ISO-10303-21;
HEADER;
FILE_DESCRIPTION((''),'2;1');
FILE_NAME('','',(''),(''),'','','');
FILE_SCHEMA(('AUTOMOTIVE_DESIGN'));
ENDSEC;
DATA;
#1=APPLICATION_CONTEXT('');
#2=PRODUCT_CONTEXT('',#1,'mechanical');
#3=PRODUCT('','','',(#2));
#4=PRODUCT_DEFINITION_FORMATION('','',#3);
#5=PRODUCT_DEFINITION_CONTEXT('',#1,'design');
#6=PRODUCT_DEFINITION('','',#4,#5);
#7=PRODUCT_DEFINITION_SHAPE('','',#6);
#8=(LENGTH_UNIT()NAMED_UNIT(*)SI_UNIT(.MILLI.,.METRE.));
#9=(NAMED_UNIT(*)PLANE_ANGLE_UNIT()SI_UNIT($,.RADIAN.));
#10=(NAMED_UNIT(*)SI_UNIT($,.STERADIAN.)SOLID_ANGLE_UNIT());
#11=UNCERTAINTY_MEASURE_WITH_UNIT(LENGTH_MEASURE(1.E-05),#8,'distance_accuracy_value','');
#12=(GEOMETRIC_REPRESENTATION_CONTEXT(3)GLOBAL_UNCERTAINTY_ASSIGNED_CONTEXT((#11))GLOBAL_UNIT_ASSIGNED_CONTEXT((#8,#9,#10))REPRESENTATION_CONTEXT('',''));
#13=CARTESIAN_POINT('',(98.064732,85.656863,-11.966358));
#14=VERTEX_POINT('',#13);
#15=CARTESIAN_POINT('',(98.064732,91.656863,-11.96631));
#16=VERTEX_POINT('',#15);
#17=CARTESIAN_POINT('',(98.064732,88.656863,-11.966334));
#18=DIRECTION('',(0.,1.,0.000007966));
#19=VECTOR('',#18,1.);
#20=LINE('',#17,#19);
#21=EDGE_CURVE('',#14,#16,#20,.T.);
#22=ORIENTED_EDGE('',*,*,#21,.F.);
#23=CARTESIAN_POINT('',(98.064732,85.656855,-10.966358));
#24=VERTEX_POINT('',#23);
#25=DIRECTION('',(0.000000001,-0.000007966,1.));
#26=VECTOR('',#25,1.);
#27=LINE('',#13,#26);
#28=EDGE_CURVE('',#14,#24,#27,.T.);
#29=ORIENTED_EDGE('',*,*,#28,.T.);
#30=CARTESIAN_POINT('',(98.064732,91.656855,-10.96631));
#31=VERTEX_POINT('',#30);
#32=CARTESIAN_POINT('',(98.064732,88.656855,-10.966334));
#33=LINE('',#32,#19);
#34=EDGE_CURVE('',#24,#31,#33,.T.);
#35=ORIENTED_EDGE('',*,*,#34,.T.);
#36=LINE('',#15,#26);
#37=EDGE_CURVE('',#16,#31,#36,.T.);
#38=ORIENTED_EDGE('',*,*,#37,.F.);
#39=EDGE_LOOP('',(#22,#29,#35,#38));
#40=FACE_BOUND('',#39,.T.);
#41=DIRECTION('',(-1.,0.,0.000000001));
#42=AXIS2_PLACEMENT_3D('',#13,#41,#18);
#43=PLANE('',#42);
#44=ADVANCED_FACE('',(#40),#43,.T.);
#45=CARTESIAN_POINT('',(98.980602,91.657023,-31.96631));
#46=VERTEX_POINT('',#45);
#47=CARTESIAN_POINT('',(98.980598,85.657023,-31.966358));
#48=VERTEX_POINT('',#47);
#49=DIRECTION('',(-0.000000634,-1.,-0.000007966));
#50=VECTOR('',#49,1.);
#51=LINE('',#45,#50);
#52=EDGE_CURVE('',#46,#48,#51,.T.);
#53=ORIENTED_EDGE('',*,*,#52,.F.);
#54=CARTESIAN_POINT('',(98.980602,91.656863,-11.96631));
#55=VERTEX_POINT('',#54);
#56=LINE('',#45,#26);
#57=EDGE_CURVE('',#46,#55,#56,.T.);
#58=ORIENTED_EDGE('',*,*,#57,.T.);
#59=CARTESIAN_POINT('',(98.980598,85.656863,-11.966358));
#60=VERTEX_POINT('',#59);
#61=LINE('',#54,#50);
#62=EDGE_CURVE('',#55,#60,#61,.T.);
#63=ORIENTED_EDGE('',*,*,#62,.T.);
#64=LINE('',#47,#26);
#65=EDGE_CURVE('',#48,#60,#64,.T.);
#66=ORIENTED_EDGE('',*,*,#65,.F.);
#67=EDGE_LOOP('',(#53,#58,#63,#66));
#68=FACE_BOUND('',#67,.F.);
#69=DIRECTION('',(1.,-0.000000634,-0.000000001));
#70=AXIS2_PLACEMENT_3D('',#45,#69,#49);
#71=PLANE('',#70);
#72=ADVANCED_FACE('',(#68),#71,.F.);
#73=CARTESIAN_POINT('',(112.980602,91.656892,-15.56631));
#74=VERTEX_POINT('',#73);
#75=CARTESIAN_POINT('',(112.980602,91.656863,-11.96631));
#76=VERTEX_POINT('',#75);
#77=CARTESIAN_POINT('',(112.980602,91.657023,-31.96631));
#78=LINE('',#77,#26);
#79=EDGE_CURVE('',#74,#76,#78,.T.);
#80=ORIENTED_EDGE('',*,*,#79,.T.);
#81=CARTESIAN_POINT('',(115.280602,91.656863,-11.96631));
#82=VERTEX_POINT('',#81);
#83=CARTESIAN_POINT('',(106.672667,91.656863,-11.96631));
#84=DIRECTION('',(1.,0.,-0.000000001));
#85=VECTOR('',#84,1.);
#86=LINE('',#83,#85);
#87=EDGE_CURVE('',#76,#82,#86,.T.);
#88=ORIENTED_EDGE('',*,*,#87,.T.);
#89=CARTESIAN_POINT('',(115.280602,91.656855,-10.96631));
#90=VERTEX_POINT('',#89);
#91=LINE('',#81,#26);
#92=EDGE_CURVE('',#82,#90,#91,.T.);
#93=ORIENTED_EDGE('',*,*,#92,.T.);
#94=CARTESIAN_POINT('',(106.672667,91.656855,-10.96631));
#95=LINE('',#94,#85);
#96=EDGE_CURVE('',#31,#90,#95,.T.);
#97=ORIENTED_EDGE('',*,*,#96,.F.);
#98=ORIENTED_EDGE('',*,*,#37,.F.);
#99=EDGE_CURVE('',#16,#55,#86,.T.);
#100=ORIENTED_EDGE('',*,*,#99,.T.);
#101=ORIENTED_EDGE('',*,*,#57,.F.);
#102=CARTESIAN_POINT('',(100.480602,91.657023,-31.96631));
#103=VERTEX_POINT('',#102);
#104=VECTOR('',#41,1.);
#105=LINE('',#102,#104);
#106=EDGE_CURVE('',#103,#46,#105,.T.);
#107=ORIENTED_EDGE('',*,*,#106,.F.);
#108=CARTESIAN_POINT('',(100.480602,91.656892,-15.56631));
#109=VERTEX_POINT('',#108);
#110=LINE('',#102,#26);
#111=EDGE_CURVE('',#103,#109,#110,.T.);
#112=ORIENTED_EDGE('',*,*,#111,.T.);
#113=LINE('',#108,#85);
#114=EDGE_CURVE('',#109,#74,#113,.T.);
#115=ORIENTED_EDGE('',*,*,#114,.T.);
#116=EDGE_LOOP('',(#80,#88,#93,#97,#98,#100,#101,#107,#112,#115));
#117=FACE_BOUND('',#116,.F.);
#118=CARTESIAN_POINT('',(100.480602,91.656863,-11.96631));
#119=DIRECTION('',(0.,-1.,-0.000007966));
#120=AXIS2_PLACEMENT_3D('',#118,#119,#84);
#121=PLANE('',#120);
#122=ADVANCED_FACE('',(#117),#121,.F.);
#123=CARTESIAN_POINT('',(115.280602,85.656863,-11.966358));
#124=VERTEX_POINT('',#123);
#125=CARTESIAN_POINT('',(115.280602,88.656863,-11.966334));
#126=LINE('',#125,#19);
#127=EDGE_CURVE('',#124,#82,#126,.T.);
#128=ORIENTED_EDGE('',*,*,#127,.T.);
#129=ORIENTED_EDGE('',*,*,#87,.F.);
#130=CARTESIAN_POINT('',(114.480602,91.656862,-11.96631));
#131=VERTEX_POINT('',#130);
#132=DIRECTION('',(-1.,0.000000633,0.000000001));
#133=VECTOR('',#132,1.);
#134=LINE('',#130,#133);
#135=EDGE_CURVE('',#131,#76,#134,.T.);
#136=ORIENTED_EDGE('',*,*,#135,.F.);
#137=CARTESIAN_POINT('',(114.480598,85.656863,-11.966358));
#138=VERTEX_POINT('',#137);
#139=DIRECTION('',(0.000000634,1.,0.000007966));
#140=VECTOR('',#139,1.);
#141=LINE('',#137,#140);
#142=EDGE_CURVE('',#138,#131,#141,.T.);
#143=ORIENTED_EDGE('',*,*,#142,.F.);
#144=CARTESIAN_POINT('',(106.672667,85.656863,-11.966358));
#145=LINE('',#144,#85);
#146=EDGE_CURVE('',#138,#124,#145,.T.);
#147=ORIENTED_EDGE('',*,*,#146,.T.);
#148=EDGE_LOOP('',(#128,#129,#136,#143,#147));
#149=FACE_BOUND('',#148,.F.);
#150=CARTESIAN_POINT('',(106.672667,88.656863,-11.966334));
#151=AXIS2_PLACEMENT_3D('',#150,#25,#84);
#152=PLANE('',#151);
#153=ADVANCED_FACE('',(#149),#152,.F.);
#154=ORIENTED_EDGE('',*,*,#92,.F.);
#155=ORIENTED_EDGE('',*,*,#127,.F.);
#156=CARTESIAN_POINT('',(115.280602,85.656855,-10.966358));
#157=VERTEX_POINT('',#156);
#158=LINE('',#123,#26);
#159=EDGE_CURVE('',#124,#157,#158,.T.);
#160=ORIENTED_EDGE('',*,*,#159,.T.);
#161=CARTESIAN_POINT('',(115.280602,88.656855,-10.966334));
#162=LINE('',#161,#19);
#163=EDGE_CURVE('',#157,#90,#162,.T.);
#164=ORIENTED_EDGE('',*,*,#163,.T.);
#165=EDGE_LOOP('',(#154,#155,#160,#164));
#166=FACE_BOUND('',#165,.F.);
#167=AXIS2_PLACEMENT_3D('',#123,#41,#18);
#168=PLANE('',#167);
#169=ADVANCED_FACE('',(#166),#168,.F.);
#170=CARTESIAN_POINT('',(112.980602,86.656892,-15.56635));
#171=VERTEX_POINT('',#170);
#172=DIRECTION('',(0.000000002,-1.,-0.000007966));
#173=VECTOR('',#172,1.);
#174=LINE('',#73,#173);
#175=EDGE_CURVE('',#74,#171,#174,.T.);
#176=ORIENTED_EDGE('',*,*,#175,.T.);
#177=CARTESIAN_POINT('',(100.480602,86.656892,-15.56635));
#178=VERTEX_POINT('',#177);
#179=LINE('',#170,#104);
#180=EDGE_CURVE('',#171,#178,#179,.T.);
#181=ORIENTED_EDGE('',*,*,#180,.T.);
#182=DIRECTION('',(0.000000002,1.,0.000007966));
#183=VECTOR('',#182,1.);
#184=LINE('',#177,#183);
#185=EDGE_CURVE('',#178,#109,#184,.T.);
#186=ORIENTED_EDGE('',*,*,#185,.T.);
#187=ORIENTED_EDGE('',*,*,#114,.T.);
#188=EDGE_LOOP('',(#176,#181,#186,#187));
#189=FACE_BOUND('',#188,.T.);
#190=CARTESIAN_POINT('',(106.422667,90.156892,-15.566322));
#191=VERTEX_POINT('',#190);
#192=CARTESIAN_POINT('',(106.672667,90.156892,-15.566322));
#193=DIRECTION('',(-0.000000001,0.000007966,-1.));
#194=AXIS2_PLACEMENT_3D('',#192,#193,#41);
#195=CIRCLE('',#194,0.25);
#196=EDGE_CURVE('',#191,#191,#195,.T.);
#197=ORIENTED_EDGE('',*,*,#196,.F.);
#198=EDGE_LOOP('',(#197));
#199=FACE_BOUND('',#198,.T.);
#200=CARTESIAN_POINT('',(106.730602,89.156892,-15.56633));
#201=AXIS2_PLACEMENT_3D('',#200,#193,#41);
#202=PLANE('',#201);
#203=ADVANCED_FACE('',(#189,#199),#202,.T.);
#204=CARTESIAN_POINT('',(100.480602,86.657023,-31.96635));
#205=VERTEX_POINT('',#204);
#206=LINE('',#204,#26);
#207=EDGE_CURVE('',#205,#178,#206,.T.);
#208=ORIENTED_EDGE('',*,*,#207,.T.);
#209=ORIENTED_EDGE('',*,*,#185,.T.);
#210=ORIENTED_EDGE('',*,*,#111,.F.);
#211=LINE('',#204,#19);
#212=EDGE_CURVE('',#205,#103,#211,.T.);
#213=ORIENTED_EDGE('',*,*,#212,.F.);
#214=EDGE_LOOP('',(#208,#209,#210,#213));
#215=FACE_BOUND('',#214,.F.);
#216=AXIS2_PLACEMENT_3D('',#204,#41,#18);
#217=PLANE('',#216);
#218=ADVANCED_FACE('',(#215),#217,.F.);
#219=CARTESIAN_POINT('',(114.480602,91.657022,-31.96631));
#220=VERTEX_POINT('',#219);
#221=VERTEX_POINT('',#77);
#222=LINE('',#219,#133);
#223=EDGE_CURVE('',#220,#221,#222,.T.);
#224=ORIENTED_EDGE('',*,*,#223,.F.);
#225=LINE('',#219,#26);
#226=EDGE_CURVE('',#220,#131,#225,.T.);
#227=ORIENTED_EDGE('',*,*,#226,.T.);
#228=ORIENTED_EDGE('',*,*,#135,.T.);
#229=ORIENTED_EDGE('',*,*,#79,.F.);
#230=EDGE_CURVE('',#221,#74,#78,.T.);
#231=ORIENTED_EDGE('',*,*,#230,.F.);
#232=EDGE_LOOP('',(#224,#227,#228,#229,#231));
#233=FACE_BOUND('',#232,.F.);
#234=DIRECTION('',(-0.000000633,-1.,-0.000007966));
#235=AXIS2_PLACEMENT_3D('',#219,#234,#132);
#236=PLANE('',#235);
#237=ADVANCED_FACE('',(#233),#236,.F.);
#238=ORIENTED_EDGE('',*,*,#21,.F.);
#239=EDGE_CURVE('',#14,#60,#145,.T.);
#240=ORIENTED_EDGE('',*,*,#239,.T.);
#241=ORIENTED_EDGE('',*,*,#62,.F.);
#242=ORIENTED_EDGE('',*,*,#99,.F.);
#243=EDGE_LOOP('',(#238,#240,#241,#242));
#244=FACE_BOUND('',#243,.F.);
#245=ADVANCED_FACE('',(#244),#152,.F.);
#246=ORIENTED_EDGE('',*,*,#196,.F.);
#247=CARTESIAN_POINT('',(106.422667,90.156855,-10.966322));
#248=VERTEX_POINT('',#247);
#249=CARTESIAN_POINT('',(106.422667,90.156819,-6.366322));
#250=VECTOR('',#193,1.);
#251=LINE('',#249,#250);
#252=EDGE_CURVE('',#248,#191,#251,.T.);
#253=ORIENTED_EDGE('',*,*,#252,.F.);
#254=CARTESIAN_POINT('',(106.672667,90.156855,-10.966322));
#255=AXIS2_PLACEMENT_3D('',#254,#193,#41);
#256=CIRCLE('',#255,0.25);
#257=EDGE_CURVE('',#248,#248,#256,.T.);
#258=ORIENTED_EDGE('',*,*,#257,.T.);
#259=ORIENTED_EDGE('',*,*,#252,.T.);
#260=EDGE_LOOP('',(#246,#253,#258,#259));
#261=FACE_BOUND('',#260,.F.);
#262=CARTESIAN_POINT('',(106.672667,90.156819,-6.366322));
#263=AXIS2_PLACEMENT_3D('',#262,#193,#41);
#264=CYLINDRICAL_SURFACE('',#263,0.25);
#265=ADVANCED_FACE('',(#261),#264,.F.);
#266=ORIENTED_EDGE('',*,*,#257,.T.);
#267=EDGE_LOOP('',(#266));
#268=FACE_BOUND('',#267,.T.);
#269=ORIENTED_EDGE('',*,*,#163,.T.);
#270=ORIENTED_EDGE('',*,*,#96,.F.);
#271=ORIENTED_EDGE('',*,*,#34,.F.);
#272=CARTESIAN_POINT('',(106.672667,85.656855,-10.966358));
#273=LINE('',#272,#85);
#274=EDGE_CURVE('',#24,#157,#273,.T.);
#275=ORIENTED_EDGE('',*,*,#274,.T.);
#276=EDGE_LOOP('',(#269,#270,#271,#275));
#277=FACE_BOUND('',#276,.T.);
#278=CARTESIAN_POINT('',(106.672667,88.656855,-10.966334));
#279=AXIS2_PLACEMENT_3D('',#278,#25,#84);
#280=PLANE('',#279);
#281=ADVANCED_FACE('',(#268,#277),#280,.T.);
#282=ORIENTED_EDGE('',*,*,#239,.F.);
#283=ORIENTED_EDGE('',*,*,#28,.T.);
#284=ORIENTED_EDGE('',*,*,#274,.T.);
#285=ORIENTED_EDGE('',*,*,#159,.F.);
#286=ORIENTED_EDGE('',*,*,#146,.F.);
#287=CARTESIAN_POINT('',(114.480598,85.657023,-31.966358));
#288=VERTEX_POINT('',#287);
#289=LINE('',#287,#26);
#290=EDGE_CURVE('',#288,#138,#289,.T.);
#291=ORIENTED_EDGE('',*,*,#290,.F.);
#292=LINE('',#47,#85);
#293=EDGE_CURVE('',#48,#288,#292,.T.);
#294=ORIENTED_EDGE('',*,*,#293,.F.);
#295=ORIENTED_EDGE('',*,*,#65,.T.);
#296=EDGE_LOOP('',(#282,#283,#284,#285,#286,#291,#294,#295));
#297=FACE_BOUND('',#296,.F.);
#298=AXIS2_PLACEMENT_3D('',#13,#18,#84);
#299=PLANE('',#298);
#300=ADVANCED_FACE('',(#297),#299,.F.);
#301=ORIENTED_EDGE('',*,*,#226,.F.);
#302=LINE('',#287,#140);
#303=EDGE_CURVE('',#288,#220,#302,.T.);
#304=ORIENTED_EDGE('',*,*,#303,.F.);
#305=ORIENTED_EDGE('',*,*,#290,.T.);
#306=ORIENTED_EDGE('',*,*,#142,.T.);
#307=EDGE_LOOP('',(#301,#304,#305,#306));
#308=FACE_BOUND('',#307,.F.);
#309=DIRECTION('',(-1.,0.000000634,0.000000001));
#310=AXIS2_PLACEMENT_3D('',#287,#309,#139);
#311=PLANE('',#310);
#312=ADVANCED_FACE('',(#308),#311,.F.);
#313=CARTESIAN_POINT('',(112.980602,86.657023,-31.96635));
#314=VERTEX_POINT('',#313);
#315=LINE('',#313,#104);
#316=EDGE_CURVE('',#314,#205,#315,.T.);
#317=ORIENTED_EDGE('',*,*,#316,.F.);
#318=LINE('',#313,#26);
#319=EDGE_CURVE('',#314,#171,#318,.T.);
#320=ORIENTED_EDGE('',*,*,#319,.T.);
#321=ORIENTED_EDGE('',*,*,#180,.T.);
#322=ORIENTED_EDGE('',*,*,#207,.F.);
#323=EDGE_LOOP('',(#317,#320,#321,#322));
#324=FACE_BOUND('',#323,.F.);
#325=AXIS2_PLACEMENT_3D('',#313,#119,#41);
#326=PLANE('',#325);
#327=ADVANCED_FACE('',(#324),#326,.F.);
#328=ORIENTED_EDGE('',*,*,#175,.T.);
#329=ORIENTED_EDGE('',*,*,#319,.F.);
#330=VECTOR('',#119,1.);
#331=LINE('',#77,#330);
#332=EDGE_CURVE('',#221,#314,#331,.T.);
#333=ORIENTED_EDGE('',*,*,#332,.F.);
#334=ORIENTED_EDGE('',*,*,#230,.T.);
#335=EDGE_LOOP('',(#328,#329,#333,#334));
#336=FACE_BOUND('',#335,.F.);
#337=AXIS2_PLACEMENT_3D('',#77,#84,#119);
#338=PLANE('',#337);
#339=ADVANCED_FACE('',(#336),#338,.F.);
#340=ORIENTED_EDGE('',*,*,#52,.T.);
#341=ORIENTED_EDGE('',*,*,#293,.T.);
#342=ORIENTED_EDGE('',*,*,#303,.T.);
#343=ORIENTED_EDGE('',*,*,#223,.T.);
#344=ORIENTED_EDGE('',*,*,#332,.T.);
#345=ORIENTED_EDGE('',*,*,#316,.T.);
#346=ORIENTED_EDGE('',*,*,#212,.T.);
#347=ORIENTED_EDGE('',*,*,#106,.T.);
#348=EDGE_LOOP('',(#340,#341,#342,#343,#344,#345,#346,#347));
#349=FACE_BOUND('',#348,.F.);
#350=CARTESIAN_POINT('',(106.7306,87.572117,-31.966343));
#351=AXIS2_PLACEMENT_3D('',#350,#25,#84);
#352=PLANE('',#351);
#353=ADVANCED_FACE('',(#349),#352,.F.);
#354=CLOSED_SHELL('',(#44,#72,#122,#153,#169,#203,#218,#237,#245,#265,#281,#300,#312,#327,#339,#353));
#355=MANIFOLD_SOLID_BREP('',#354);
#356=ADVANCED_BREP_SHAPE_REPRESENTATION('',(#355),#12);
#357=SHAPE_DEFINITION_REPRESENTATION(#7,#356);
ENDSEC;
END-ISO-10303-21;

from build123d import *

# Parameters (mm, degrees)
BOSS_EXTRUDE1_DEPTH       = 20
SKETCH4_W                 = 17.215870058
SKETCH4_H                 = 6
BOSS_EXTRUDE2_DEPTH       = 1
BOSS_EXTRUDE3_DEPTH       = 3.6
F_1_0MM_DOWEL_HOLE1_D     = 0.5
F_1_0MM_DOWEL_HOLE1_DEPTH = 4.6


with BuildPart() as part:
    # Sketch3 → Boss-Extrude1 (new body)
    with BuildSketch(Plane(origin=(-3.4e-08, 0.000254638, -31.967040172), x_dir=(1, 0, -1e-09), z_dir=(1e-09, -7.966e-06, 1))):
        Polygon((98.980598041, 85.65676806), (114.480598041, 85.65676806), (114.480601842, 91.65676711), (112.980601807, 91.65676806), (112.980601807, 86.65676806), (100.480601842, 86.65676806), (100.480601842, 91.65676806), (98.980601842, 91.65676806), align=None)
    extrude(amount=BOSS_EXTRUDE1_DEPTH)

    # Sketch4 → Boss-Extrude2 (add)
    with BuildSketch(Plane(origin=(-1.3e-08, 9.5325e-05, -11.967040173), x_dir=(1, 0, -1e-09), z_dir=(1e-09, -7.966e-06, 1))):
        with Locations((106.672666813, 88.65676806)):
            Rectangle(SKETCH4_W, SKETCH4_H)
    extrude(amount=BOSS_EXTRUDE2_DEPTH)

    # Sketch7 → Boss-Extrude3 (add)
    with BuildSketch(Plane(origin=(-1.3e-08, 9.5325e-05, -11.967040173), x_dir=(-1, 0, 1e-09), z_dir=(-1e-09, 7.966e-06, -1))):
        Polygon((-112.980601816, 91.65676806), (-112.980601825, 86.65676806), (-100.480601842, 86.65676806), (-100.480601851, 91.65676806), align=None)
    extrude(amount=BOSS_EXTRUDE3_DEPTH)

    # Ø1.0mm Dowel Hole1
    with Locations(Plane(origin=(-1.2e-08, 8.7359e-05, -10.967040173), x_dir=(1, 0, -1e-09), z_dir=(1e-09, -7.966e-06, 1))):
        with Locations((106.672666813, 90.15676806)):
            Hole(F_1_0MM_DOWEL_HOLE1_D / 2, depth=F_1_0MM_DOWEL_HOLE1_DEPTH)


solid = part.part
